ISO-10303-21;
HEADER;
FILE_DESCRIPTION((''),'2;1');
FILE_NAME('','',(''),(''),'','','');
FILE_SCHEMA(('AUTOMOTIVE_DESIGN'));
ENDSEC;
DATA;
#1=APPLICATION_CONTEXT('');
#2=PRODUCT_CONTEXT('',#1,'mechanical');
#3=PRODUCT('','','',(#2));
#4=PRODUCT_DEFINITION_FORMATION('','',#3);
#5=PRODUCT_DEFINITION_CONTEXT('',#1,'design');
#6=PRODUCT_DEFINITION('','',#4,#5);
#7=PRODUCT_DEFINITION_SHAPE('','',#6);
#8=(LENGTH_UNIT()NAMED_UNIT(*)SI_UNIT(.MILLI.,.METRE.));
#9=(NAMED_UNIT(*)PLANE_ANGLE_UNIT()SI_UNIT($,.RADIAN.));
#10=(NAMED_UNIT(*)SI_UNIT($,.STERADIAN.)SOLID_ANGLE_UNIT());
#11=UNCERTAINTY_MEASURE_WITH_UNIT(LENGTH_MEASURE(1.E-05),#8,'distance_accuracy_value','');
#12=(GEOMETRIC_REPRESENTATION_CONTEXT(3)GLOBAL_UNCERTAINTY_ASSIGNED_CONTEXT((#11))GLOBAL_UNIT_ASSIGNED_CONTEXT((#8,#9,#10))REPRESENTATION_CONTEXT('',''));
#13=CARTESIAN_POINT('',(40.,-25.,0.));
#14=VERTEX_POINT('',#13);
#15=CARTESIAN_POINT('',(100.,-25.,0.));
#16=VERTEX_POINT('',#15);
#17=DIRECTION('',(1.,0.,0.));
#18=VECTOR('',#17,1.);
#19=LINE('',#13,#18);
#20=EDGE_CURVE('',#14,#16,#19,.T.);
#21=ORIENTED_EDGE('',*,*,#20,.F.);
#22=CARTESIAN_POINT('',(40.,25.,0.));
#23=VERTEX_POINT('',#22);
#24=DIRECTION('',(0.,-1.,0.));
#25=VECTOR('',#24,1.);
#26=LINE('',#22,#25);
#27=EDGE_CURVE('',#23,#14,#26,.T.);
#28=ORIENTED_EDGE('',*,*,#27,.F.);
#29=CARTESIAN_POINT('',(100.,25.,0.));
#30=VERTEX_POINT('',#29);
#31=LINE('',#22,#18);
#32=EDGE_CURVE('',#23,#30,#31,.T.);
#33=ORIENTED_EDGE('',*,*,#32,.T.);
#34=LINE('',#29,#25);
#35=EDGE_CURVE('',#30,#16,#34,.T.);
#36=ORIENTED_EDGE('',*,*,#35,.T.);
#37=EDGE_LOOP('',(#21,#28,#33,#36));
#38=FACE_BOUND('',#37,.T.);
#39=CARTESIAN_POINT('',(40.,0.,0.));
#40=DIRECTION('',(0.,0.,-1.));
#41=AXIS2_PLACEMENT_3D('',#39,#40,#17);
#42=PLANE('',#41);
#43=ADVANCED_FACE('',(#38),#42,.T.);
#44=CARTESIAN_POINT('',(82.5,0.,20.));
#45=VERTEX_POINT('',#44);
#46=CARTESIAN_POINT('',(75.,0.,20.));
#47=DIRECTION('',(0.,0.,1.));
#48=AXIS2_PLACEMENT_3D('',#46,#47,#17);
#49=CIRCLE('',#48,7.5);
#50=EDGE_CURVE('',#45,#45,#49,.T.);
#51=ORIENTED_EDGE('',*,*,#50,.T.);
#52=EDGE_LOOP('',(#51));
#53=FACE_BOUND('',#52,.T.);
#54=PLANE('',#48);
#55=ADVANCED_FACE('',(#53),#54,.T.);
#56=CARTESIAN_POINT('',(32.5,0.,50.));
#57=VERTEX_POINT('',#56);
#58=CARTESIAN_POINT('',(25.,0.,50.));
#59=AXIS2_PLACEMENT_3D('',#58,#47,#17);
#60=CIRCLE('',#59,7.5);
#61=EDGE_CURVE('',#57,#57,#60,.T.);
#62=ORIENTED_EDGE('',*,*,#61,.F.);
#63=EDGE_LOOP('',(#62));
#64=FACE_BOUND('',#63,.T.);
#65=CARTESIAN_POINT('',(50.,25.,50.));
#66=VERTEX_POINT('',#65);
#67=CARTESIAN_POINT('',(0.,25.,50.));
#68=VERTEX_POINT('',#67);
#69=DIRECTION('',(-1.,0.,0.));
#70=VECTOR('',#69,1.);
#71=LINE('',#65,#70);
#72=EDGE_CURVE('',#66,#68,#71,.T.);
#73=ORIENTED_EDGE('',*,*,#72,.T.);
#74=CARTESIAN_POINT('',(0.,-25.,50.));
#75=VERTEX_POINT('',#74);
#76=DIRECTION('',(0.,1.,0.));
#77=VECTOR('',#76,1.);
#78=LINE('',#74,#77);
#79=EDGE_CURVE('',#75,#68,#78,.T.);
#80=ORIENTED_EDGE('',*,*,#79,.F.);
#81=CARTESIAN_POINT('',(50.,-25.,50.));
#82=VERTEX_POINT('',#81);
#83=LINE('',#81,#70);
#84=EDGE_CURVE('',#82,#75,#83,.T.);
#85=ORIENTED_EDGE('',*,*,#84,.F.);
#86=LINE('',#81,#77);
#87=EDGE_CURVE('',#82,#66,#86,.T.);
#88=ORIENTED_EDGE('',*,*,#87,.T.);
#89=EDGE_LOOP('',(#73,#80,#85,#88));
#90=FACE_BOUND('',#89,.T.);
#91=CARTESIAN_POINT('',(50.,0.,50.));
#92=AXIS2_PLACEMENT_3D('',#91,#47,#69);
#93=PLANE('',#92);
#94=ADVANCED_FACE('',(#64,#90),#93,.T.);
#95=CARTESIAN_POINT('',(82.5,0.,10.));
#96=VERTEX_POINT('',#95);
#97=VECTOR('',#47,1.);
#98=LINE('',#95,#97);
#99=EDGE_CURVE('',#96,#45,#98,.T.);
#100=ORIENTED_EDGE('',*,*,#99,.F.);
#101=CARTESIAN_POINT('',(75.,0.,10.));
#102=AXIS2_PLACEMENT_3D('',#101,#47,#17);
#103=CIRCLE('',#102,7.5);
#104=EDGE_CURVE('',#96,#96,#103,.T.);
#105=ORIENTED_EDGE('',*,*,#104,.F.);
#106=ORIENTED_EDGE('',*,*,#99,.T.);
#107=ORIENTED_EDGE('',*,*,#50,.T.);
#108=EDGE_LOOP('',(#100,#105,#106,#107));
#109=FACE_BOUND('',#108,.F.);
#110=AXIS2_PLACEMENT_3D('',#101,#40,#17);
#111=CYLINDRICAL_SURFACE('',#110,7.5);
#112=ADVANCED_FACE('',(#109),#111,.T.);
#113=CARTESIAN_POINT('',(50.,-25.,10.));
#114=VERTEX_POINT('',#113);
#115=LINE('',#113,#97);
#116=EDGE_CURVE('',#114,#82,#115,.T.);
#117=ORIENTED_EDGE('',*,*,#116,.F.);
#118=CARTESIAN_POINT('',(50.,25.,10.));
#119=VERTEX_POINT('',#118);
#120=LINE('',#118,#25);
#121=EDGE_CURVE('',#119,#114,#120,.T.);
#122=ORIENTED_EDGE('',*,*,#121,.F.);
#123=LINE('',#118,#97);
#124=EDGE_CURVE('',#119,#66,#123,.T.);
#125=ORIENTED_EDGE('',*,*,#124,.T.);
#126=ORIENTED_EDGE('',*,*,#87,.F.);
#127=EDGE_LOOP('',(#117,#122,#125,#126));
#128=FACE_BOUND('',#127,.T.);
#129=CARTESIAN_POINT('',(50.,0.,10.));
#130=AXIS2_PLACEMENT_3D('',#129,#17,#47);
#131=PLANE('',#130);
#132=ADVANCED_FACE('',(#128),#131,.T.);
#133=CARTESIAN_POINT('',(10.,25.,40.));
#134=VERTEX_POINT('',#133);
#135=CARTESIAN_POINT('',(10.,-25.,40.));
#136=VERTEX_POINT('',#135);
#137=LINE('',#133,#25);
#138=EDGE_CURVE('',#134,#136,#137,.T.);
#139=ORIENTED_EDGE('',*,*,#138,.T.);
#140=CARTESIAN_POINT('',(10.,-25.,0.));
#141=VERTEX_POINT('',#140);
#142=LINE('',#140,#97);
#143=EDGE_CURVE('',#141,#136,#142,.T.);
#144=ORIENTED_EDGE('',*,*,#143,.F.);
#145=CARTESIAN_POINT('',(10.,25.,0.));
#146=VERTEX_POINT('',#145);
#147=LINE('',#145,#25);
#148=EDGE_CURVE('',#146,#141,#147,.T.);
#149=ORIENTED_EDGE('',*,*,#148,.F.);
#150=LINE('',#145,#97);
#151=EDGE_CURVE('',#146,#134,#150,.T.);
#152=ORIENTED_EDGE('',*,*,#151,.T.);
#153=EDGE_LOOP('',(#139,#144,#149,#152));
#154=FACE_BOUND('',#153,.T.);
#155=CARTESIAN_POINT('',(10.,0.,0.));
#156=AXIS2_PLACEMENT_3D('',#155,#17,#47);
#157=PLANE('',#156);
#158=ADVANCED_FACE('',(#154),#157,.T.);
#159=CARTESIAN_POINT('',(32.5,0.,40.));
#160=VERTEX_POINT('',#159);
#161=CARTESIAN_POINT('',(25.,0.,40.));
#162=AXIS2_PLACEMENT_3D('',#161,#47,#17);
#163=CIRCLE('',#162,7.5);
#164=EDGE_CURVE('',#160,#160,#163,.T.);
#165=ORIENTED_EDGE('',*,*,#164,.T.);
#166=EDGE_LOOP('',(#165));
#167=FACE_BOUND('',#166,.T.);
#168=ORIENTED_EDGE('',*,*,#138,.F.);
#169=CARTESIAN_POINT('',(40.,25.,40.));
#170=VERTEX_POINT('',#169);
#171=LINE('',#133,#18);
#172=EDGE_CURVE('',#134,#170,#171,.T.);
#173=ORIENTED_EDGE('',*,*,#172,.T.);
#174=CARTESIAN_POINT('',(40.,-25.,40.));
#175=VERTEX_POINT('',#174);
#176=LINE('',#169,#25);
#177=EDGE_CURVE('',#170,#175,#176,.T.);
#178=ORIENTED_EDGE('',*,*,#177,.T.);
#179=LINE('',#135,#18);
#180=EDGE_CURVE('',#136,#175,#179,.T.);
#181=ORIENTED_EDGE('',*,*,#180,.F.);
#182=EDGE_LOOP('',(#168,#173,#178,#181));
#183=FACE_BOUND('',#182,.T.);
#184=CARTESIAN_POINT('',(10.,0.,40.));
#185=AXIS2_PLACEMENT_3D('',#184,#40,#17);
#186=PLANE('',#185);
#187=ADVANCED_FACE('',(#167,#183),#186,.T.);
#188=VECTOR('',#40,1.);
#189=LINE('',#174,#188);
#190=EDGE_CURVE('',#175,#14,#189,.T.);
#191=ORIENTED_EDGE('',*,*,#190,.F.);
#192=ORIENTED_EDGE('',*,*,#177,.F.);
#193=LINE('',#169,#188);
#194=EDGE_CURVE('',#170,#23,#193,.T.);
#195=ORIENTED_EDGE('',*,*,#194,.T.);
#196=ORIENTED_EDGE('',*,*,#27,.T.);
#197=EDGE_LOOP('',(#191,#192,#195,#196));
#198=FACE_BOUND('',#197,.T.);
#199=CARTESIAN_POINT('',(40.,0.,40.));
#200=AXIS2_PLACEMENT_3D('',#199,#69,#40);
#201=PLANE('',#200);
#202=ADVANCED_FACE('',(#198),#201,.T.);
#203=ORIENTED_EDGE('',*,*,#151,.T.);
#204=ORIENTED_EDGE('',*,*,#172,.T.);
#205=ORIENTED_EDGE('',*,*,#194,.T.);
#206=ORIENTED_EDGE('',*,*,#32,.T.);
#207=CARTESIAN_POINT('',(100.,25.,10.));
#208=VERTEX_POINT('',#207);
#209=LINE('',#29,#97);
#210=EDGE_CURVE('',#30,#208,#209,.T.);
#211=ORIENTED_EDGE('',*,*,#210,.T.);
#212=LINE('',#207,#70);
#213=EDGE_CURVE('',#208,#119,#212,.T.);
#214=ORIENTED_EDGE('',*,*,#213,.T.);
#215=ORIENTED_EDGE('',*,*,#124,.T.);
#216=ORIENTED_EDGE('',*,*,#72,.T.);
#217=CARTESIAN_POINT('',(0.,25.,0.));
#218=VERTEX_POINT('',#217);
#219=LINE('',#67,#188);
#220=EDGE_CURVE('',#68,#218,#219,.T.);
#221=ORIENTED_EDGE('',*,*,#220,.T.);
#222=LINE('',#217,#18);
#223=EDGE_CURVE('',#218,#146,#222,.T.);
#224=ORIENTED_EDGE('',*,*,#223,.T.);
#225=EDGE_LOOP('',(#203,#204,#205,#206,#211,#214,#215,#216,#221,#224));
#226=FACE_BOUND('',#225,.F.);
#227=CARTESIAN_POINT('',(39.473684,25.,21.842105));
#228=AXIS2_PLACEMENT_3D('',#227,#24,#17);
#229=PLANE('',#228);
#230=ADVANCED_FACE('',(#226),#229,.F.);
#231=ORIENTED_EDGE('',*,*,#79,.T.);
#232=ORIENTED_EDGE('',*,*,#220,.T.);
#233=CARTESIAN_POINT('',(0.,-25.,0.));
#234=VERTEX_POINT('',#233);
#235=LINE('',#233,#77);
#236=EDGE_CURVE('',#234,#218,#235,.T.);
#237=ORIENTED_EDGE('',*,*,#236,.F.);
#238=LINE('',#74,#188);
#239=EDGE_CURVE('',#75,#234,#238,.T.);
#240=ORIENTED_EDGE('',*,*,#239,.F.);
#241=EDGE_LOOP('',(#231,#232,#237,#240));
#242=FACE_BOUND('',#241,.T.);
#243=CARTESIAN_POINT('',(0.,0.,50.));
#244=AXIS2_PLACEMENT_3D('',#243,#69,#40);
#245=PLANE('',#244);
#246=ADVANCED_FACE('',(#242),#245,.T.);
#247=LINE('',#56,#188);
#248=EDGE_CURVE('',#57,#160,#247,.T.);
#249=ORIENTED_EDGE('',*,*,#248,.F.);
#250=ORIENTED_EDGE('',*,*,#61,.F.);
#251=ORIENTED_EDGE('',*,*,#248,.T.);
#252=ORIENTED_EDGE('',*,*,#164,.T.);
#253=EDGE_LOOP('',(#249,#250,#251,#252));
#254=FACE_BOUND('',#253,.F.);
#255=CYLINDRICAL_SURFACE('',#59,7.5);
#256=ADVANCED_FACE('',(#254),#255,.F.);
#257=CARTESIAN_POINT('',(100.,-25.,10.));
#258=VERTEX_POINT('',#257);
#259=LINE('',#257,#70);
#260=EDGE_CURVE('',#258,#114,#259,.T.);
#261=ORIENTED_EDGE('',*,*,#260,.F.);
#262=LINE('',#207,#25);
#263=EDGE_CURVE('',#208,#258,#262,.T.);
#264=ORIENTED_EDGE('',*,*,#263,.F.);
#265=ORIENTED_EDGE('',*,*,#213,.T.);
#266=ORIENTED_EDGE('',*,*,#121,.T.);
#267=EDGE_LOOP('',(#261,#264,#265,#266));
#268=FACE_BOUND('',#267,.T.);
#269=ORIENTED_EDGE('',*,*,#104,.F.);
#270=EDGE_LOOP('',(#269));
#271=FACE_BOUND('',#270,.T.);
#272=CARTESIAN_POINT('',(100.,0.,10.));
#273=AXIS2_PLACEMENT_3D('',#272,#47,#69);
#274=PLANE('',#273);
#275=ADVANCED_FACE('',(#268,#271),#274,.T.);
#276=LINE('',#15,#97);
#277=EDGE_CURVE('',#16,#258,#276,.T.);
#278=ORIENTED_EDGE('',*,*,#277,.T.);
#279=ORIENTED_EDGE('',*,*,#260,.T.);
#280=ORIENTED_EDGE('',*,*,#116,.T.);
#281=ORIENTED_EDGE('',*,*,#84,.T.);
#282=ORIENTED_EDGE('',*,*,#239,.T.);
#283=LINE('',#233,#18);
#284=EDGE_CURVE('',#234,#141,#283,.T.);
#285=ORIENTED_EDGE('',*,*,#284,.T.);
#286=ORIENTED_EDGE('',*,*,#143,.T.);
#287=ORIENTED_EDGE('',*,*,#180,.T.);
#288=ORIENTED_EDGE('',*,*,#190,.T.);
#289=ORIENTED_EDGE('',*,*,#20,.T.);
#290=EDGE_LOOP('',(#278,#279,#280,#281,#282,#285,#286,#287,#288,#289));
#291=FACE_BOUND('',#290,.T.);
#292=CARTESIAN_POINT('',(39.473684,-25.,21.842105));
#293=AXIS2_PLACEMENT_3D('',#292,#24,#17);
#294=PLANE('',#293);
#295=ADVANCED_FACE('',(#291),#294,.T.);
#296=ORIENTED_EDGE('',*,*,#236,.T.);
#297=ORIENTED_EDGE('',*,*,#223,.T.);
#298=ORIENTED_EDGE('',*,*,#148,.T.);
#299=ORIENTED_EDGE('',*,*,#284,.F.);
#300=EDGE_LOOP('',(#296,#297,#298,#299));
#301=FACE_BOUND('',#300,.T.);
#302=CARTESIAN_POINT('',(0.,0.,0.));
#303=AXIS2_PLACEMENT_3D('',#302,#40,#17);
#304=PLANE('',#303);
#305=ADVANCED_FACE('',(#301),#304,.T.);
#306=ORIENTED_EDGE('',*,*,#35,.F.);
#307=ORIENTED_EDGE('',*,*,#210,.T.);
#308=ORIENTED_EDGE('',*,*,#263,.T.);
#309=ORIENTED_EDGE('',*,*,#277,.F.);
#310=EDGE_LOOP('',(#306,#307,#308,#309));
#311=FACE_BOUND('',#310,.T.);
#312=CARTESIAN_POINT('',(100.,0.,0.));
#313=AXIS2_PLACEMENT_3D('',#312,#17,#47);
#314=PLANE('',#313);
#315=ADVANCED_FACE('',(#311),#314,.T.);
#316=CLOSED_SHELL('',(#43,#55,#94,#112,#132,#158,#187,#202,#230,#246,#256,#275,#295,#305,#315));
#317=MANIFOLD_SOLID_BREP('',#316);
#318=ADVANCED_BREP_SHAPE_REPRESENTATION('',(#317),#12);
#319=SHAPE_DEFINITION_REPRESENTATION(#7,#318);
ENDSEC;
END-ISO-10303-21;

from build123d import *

# Parameters (mm, degrees)
F1_DEPTH = 25
F2_R     = 7.5
F3_DEPTH = 25
F4_R     = 7.5
F5_DEPTH = 10


with BuildPart() as f1:
    # F0 (on Front) → F1 (new body, symmetric)
    with BuildSketch(Plane.XZ):
        Polygon((0, 0), (10, 0), (10, 40), (40, 40), (40, 0), (100, 0), (100, 10), (50, 10), (50, 50), (0, 50), align=None)
    extrude(amount=F1_DEPTH, both=True)

    # F2 (on face) → F3 (cut)
    with BuildSketch(Plane.XY.offset(50)):
        with Locations((25, 0)):
            Circle(F2_R)
    extrude(amount=-F3_DEPTH, mode=Mode.SUBTRACT)

    # F4 (on face) → F5 (join)
    with BuildSketch(Plane.XY.offset(10)):
        with Locations((75, 0)):
            Circle(F4_R)
    extrude(amount=F5_DEPTH)


solid = f1.part
